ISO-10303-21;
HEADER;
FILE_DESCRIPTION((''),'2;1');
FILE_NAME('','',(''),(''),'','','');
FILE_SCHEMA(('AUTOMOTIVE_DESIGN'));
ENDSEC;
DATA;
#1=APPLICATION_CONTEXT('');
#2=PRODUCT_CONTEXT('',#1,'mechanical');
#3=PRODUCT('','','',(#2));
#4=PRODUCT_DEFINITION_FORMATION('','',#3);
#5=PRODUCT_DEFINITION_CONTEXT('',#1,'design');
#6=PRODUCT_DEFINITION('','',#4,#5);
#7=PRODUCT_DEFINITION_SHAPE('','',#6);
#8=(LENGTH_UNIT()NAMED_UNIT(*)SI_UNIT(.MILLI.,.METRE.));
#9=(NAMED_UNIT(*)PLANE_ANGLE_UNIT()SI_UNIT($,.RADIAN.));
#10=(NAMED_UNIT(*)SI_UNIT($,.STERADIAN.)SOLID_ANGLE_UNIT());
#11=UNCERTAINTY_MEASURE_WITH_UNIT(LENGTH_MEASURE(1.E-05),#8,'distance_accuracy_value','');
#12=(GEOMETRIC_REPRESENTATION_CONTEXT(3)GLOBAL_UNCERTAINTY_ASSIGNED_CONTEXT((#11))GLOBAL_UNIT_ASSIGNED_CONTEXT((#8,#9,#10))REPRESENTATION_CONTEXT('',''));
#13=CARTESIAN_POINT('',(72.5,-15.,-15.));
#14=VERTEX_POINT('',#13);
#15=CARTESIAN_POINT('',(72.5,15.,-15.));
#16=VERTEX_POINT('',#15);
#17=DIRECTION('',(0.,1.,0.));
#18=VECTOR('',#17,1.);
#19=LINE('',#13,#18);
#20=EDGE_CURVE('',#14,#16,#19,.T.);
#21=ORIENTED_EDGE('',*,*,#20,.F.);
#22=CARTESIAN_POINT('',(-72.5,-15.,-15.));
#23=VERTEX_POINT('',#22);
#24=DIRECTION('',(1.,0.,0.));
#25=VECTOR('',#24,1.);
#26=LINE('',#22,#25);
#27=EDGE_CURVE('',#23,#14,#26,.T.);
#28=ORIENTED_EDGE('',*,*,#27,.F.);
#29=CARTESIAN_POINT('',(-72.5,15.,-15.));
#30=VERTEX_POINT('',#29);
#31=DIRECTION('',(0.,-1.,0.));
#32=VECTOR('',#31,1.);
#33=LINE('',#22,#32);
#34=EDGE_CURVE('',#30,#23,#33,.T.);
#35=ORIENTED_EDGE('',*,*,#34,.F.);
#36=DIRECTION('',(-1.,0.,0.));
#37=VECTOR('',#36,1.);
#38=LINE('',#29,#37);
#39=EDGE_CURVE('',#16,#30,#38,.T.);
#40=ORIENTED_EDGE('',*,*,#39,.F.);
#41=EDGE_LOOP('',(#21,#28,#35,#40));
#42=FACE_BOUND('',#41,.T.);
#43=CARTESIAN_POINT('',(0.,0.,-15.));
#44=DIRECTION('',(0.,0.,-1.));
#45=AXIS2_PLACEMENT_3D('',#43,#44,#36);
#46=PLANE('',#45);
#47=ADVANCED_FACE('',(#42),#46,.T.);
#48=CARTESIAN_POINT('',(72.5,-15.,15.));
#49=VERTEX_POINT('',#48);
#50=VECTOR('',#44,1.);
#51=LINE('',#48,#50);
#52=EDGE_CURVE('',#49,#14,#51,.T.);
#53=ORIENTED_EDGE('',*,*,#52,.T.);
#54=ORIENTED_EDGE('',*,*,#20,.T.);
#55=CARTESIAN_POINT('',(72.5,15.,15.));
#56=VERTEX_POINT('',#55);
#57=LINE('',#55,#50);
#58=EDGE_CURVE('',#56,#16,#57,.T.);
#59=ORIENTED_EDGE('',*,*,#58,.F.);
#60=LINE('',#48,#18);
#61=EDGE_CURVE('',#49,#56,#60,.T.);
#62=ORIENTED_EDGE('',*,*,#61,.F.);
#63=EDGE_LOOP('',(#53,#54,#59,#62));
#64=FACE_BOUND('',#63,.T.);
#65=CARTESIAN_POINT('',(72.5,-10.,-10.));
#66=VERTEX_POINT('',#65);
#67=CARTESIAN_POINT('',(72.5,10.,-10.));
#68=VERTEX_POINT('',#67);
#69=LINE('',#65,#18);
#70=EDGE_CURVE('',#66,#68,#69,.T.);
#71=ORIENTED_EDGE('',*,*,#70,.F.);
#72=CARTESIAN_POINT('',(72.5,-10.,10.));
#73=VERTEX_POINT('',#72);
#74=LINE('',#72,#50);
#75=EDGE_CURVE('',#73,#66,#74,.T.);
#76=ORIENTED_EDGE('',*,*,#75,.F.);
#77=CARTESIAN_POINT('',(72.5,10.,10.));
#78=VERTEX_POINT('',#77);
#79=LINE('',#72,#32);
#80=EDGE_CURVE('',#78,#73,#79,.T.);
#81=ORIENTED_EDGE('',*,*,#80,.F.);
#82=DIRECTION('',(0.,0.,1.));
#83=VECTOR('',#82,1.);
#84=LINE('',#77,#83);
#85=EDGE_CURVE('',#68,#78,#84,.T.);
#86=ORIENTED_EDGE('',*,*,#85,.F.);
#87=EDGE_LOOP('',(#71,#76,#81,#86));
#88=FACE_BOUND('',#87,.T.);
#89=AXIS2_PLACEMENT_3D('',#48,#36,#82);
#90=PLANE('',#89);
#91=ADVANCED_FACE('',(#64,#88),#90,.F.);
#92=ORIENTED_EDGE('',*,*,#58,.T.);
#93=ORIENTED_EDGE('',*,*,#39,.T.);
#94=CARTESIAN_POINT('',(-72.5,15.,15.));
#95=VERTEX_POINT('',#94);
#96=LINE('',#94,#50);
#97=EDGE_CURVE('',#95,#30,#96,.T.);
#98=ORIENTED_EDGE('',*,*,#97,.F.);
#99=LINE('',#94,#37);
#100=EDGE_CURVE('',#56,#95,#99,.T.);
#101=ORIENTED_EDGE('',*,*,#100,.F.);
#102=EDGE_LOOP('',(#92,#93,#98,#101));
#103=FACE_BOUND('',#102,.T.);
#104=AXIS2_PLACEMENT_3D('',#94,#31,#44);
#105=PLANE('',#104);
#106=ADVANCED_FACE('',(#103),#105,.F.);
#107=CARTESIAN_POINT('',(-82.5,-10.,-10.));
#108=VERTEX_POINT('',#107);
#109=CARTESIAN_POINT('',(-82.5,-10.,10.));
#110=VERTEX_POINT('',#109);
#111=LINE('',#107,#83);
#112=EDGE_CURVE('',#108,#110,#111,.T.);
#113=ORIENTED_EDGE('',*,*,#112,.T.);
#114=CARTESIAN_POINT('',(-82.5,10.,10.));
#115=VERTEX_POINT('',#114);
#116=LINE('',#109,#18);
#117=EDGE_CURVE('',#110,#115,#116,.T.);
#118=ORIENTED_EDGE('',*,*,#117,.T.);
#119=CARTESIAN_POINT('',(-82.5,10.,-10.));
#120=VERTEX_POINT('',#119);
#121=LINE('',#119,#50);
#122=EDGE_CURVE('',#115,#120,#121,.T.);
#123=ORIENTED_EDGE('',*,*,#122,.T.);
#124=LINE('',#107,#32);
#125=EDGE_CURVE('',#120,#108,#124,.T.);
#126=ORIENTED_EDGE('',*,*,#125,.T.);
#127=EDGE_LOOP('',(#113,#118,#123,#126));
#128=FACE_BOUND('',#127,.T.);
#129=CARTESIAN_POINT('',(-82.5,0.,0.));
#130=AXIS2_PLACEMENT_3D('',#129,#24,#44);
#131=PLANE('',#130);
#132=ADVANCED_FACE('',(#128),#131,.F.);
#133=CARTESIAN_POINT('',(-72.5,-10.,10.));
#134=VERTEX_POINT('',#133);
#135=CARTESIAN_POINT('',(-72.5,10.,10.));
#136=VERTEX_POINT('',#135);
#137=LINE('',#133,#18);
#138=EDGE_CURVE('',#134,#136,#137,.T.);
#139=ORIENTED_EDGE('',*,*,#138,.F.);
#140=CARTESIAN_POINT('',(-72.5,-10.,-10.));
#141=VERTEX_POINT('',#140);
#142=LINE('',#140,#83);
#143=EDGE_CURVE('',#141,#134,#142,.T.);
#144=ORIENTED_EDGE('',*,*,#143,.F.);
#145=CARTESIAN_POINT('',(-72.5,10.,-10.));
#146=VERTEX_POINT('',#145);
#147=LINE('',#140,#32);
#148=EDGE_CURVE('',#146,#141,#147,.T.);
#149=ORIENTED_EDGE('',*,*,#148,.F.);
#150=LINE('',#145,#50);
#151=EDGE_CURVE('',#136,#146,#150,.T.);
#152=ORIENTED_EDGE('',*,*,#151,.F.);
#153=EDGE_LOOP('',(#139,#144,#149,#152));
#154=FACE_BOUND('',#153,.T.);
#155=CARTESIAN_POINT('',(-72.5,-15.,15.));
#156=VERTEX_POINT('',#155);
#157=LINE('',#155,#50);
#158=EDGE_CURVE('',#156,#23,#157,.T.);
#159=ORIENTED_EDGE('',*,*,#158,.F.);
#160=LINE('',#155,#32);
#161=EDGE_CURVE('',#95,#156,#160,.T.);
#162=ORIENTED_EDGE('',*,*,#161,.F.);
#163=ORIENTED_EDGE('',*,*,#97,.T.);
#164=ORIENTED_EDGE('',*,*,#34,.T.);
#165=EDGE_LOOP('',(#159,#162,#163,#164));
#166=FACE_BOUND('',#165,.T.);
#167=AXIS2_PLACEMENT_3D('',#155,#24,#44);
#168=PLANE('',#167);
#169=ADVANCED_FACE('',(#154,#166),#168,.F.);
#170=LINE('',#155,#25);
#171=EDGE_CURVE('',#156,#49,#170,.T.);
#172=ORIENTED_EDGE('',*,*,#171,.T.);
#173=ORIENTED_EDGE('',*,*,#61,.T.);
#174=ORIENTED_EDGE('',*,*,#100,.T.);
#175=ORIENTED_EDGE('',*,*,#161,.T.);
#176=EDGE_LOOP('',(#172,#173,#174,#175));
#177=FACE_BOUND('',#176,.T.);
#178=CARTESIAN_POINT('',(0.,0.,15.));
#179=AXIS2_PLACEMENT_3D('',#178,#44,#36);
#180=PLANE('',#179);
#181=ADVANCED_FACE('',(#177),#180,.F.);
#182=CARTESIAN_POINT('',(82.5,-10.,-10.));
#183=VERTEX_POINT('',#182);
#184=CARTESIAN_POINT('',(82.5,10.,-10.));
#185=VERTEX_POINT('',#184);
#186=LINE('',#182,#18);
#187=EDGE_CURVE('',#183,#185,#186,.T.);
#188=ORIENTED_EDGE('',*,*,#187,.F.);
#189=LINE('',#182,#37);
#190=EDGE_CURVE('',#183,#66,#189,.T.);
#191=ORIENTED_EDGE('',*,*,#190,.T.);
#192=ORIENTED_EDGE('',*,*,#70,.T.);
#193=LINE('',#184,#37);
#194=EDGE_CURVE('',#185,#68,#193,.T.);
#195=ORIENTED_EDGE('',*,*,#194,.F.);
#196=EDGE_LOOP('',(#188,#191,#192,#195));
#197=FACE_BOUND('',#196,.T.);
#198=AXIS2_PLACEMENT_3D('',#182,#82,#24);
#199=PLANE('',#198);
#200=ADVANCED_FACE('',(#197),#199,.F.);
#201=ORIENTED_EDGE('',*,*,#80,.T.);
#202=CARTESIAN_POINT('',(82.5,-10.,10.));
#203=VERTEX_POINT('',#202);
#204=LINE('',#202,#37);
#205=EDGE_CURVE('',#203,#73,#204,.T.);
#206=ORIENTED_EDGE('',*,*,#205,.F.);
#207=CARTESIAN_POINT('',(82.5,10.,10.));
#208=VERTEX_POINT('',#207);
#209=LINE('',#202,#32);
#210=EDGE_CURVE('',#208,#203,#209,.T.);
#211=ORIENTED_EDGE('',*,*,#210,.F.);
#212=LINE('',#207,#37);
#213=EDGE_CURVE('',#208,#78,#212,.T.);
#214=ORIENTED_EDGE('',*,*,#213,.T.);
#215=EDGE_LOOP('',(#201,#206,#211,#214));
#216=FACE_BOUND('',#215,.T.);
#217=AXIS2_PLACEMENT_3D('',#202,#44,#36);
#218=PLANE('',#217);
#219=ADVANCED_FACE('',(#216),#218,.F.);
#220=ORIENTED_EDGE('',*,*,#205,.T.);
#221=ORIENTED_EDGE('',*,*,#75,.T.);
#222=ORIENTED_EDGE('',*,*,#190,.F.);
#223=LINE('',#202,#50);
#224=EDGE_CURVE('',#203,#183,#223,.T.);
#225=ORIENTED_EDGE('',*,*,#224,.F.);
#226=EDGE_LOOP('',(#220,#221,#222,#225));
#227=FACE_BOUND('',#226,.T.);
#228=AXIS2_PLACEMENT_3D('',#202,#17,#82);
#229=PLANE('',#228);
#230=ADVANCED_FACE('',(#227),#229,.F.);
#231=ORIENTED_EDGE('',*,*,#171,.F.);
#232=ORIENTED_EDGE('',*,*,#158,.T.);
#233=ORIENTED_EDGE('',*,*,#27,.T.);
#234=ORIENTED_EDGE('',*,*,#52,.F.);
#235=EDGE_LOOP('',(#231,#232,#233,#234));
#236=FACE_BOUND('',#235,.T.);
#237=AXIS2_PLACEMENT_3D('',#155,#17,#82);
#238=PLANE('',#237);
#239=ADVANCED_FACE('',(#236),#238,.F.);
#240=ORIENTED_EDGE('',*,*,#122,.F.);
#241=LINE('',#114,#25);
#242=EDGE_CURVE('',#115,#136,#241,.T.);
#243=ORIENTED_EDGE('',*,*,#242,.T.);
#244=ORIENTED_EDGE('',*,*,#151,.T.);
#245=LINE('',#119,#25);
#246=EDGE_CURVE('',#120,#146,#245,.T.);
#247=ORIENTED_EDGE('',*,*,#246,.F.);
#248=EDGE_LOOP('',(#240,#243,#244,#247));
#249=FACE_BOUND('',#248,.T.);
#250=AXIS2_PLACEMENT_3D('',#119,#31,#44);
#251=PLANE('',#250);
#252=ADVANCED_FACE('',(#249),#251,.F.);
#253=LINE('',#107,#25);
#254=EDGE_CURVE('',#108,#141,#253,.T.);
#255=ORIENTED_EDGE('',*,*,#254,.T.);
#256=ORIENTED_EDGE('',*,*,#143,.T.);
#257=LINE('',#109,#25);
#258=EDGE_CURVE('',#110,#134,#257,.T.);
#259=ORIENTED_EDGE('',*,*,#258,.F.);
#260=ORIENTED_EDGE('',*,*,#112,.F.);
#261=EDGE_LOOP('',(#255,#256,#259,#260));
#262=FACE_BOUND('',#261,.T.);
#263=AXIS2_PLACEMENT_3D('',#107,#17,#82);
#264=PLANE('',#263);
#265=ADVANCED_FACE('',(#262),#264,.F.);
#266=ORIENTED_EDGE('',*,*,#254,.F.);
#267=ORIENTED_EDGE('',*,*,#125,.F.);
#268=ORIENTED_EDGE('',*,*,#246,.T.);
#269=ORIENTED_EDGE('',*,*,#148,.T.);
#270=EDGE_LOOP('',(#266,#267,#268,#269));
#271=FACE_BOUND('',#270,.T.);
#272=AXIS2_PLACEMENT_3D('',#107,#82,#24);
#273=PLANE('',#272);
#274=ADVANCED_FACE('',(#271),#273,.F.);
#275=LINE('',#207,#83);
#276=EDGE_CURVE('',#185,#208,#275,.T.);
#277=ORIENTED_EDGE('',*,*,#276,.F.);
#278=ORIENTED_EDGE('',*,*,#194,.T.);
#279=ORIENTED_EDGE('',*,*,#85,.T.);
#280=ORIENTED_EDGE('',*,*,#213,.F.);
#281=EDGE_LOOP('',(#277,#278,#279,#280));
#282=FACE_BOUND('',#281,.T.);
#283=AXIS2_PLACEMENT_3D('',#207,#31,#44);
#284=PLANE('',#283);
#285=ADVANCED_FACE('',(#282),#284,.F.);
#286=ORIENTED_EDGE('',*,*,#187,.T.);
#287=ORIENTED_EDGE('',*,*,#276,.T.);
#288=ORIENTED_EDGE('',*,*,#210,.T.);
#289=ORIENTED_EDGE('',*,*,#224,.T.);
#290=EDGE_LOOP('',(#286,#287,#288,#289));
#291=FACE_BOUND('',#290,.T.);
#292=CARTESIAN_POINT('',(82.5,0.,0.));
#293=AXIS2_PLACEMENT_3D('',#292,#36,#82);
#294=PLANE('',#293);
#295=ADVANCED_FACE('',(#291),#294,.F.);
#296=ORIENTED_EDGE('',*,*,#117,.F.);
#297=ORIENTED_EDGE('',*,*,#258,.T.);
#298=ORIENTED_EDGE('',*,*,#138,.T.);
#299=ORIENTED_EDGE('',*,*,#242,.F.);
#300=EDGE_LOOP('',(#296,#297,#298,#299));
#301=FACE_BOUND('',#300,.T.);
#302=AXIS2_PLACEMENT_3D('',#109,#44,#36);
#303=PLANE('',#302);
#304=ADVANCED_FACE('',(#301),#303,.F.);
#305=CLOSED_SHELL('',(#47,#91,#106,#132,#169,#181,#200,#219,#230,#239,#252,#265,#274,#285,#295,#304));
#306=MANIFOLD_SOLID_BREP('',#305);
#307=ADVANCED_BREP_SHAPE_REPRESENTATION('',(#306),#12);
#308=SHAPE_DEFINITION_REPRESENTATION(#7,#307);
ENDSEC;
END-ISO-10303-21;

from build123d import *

# Parameters (mm, degrees)
SKETCH1_W           = 145
SKETCH1_H           = 30
BOSS_EXTRUDE1_DEPTH = 15
SKETCH2_W           = 20
SKETCH2_H           = 20
BOSS_EXTRUDE2_DEPTH = 10
SKETCH3_W           = 20
SKETCH3_H           = 20
BOSS_EXTRUDE3_DEPTH = 10


with BuildPart() as part:
    # Sketch1 → Boss-Extrude1 (new, symmetric)
    with BuildSketch(Plane.XY):
        Rectangle(SKETCH1_W, SKETCH1_H)
    extrude(amount=BOSS_EXTRUDE1_DEPTH, both=True)

    # Sketch2 → Boss-Extrude2 (add)
    with BuildSketch(Plane(origin=(72.5, 0, 0), x_dir=(0, 0, -1), z_dir=(1, 0, 0))):
        Rectangle(SKETCH2_W, SKETCH2_H)
    extrude(amount=BOSS_EXTRUDE2_DEPTH)

    # Sketch3 → Boss-Extrude3 (add)
    with BuildSketch(Plane.ZY.offset(72.5)):
        Rectangle(SKETCH3_W, SKETCH3_H)
    extrude(amount=BOSS_EXTRUDE3_DEPTH)


solid = part.part
